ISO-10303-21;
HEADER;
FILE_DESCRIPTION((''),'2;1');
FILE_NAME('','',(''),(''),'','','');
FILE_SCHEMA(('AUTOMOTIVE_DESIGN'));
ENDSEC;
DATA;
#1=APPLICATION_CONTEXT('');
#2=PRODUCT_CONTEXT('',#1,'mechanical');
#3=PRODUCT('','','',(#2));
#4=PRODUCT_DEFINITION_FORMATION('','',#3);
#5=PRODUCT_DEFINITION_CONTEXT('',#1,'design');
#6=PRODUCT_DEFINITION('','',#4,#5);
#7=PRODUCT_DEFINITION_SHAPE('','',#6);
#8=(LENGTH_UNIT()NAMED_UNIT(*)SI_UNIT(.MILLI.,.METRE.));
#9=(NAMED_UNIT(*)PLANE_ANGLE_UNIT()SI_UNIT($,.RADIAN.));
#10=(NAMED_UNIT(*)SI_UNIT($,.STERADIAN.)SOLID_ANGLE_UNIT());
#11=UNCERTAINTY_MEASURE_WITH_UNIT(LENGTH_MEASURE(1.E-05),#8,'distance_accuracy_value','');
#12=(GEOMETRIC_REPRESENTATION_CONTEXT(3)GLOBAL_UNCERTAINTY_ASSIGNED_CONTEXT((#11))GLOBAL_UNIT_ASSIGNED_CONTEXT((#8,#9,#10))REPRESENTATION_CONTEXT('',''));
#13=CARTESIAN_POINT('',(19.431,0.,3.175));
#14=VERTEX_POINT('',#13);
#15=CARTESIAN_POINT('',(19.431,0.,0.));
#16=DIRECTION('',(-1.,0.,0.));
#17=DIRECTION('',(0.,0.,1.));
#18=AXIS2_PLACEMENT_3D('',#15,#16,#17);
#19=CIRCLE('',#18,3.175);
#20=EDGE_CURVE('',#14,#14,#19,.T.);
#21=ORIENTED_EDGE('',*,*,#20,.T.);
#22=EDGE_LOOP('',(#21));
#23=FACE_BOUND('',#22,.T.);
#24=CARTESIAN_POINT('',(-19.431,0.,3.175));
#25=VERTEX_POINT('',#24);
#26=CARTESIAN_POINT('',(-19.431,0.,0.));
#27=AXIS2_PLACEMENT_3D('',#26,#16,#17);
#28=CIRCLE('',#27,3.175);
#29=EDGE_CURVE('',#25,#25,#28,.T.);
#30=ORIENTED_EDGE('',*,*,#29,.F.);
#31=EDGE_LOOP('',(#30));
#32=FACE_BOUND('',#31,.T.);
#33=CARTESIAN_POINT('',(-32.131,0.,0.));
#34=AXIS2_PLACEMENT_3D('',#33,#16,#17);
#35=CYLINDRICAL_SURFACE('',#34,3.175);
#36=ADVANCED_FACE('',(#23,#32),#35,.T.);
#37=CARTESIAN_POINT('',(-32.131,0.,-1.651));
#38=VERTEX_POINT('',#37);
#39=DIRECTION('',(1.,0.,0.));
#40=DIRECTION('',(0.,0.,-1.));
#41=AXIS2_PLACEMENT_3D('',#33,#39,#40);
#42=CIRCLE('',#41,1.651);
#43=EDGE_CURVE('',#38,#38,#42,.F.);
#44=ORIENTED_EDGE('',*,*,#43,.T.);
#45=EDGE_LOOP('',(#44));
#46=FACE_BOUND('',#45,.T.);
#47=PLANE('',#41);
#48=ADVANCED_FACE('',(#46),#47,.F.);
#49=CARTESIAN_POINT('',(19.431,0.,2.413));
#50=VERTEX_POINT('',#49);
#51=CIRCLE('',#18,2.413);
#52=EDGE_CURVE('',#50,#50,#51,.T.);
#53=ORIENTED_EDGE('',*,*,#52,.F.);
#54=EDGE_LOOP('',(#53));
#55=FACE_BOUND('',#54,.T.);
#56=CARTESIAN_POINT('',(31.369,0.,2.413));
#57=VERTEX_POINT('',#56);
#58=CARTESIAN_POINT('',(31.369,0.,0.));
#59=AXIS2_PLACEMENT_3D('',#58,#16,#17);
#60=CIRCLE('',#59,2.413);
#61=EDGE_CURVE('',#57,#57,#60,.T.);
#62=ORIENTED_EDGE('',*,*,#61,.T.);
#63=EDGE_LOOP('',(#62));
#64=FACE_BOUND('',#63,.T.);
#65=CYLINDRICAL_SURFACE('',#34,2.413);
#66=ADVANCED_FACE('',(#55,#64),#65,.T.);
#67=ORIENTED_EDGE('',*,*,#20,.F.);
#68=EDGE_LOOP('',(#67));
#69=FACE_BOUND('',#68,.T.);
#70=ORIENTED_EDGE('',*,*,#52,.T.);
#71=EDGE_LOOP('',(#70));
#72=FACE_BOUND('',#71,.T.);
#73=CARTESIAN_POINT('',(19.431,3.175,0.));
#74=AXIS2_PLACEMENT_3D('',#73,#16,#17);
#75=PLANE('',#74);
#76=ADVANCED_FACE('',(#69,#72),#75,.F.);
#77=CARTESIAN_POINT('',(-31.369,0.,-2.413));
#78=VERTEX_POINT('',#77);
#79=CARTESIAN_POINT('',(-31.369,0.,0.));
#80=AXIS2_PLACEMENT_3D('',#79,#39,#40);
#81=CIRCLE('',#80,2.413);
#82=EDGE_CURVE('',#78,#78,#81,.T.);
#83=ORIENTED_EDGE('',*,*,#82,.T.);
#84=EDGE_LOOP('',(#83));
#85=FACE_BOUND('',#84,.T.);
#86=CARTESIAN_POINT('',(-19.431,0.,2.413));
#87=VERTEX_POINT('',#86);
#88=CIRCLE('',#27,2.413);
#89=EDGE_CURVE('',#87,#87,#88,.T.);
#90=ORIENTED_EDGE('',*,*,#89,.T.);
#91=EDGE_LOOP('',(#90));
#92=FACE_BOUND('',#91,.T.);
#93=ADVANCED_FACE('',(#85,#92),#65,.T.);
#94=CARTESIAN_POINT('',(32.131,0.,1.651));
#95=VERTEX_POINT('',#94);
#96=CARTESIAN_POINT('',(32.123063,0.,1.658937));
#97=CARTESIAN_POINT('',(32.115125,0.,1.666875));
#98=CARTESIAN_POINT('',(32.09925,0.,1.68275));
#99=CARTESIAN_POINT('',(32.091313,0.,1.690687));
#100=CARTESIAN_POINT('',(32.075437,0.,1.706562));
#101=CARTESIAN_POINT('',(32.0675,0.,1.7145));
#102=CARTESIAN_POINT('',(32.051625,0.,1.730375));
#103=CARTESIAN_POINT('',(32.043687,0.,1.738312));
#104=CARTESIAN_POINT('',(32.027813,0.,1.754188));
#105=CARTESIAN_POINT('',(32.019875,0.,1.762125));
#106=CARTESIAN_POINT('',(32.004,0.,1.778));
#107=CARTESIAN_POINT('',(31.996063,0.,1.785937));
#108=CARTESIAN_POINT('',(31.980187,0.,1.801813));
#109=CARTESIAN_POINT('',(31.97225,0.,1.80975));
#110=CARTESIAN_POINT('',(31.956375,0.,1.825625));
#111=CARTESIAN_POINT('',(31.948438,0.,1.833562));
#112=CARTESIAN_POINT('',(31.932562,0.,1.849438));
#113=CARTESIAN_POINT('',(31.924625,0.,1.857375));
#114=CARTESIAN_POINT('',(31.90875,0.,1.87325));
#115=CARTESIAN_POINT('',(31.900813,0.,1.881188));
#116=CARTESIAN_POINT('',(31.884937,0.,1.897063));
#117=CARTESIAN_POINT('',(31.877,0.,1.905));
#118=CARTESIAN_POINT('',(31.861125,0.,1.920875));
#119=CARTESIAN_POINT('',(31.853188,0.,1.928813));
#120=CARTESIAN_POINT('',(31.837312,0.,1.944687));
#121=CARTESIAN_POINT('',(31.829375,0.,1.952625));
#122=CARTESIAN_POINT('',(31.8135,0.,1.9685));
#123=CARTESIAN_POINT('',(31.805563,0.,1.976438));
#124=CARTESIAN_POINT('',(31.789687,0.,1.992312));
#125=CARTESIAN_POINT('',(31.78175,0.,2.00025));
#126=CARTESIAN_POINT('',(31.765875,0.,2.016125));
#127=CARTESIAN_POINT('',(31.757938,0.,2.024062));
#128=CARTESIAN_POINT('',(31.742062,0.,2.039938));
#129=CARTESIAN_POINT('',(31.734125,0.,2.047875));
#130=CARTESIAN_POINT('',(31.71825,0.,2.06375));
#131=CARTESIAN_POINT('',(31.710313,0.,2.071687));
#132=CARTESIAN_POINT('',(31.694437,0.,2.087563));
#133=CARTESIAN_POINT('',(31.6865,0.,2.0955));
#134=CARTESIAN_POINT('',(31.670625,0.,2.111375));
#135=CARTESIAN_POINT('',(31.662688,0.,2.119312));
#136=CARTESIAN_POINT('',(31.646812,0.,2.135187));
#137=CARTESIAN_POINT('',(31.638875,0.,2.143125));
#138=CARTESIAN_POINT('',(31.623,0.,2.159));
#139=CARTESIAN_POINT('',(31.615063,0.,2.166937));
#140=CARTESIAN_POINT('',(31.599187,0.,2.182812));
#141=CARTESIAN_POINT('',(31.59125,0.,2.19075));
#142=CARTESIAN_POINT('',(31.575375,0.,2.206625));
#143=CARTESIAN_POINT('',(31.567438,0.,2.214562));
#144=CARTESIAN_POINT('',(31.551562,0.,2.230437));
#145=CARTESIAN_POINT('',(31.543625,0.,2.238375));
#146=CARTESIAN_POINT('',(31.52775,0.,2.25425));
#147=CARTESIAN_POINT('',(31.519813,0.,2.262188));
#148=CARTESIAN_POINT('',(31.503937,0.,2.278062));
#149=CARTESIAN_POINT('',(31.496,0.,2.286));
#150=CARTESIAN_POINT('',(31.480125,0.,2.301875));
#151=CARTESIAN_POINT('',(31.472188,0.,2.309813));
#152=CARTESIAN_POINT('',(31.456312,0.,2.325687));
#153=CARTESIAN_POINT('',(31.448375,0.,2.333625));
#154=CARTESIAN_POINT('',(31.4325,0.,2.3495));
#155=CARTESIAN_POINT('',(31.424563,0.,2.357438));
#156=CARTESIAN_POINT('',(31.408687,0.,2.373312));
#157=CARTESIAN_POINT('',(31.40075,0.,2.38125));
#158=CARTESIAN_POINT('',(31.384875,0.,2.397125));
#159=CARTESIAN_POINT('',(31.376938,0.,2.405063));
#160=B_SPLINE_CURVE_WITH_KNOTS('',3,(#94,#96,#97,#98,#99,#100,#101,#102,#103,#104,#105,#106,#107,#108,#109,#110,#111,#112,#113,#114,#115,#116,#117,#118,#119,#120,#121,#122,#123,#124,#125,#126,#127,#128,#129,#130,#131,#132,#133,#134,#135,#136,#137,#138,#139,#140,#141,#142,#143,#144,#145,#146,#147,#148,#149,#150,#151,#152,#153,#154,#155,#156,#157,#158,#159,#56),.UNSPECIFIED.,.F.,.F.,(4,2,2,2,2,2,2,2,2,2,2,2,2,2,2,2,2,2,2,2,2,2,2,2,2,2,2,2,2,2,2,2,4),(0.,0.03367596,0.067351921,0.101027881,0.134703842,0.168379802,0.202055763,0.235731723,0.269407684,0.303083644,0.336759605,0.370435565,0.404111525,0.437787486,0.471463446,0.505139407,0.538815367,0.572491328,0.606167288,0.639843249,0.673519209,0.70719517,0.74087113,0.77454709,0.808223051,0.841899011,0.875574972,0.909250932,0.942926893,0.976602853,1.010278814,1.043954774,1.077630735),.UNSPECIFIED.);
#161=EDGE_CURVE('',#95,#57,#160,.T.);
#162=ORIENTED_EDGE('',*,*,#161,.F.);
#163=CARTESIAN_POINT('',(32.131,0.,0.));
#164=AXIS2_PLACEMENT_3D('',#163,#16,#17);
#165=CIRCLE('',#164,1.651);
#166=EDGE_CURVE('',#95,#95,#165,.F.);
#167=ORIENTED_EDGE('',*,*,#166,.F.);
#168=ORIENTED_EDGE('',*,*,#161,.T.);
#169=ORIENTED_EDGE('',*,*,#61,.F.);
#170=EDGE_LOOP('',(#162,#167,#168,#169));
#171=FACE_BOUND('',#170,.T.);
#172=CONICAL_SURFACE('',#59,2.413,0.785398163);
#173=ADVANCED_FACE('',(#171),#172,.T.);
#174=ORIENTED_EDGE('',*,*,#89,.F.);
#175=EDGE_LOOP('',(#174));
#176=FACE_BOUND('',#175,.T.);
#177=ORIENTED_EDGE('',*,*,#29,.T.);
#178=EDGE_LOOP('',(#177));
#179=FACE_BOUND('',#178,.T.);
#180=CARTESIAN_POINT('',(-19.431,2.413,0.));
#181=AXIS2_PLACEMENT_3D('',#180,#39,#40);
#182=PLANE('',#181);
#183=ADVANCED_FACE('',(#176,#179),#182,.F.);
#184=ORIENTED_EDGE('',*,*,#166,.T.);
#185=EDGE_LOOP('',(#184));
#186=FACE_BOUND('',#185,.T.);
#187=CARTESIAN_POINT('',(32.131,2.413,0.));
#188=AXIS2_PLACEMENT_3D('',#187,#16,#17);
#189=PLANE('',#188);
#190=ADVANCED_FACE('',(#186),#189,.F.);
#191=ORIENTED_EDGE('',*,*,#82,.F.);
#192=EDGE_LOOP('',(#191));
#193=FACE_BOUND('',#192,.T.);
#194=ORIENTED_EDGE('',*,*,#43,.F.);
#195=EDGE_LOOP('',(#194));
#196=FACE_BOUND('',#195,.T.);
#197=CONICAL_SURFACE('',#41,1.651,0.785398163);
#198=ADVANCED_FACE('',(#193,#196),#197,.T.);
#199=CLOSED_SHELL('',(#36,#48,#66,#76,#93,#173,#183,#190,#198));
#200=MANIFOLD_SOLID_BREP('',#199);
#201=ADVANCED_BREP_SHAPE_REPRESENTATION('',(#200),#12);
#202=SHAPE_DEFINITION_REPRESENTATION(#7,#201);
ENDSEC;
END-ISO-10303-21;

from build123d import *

# Parameters (mm, degrees)
CHAMFER1_SIZE = 0.762
CHAMFER2_SIZE = 0.762


with BuildPart() as part:
    # Sketch3 → Revolve1 (revolve)
    with BuildSketch(Plane.XY, mode=Mode.PRIVATE) as revolve1_sk:
        Polygon((-32.131, 0), (32.131, 0), (32.131, 2.413), (19.431, 2.413), (19.431, 3.175), (-19.431, 3.175), (-19.431, 2.413), (-32.131, 2.413), align=None)
    revolve(revolve1_sk.sketch.rotate(Axis((-32.131, 0, 0), (1, 0, 0)), 90), axis=Axis((-32.131, 0, 0), (1, 0, 0)))

    # Chamfer1
    chamfer1_edges = [part.edges().sort_by_distance(p)[0] for p in [
        (-32.131, 0, -2.413),
    ]]
    chamfer(chamfer1_edges, length=CHAMFER1_SIZE)

    # Chamfer2
    chamfer2_edges = [part.edges().sort_by_distance(p)[0] for p in [
        (32.131, 0, -2.413),
    ]]
    chamfer(chamfer2_edges, length=CHAMFER2_SIZE)


solid = part.part
